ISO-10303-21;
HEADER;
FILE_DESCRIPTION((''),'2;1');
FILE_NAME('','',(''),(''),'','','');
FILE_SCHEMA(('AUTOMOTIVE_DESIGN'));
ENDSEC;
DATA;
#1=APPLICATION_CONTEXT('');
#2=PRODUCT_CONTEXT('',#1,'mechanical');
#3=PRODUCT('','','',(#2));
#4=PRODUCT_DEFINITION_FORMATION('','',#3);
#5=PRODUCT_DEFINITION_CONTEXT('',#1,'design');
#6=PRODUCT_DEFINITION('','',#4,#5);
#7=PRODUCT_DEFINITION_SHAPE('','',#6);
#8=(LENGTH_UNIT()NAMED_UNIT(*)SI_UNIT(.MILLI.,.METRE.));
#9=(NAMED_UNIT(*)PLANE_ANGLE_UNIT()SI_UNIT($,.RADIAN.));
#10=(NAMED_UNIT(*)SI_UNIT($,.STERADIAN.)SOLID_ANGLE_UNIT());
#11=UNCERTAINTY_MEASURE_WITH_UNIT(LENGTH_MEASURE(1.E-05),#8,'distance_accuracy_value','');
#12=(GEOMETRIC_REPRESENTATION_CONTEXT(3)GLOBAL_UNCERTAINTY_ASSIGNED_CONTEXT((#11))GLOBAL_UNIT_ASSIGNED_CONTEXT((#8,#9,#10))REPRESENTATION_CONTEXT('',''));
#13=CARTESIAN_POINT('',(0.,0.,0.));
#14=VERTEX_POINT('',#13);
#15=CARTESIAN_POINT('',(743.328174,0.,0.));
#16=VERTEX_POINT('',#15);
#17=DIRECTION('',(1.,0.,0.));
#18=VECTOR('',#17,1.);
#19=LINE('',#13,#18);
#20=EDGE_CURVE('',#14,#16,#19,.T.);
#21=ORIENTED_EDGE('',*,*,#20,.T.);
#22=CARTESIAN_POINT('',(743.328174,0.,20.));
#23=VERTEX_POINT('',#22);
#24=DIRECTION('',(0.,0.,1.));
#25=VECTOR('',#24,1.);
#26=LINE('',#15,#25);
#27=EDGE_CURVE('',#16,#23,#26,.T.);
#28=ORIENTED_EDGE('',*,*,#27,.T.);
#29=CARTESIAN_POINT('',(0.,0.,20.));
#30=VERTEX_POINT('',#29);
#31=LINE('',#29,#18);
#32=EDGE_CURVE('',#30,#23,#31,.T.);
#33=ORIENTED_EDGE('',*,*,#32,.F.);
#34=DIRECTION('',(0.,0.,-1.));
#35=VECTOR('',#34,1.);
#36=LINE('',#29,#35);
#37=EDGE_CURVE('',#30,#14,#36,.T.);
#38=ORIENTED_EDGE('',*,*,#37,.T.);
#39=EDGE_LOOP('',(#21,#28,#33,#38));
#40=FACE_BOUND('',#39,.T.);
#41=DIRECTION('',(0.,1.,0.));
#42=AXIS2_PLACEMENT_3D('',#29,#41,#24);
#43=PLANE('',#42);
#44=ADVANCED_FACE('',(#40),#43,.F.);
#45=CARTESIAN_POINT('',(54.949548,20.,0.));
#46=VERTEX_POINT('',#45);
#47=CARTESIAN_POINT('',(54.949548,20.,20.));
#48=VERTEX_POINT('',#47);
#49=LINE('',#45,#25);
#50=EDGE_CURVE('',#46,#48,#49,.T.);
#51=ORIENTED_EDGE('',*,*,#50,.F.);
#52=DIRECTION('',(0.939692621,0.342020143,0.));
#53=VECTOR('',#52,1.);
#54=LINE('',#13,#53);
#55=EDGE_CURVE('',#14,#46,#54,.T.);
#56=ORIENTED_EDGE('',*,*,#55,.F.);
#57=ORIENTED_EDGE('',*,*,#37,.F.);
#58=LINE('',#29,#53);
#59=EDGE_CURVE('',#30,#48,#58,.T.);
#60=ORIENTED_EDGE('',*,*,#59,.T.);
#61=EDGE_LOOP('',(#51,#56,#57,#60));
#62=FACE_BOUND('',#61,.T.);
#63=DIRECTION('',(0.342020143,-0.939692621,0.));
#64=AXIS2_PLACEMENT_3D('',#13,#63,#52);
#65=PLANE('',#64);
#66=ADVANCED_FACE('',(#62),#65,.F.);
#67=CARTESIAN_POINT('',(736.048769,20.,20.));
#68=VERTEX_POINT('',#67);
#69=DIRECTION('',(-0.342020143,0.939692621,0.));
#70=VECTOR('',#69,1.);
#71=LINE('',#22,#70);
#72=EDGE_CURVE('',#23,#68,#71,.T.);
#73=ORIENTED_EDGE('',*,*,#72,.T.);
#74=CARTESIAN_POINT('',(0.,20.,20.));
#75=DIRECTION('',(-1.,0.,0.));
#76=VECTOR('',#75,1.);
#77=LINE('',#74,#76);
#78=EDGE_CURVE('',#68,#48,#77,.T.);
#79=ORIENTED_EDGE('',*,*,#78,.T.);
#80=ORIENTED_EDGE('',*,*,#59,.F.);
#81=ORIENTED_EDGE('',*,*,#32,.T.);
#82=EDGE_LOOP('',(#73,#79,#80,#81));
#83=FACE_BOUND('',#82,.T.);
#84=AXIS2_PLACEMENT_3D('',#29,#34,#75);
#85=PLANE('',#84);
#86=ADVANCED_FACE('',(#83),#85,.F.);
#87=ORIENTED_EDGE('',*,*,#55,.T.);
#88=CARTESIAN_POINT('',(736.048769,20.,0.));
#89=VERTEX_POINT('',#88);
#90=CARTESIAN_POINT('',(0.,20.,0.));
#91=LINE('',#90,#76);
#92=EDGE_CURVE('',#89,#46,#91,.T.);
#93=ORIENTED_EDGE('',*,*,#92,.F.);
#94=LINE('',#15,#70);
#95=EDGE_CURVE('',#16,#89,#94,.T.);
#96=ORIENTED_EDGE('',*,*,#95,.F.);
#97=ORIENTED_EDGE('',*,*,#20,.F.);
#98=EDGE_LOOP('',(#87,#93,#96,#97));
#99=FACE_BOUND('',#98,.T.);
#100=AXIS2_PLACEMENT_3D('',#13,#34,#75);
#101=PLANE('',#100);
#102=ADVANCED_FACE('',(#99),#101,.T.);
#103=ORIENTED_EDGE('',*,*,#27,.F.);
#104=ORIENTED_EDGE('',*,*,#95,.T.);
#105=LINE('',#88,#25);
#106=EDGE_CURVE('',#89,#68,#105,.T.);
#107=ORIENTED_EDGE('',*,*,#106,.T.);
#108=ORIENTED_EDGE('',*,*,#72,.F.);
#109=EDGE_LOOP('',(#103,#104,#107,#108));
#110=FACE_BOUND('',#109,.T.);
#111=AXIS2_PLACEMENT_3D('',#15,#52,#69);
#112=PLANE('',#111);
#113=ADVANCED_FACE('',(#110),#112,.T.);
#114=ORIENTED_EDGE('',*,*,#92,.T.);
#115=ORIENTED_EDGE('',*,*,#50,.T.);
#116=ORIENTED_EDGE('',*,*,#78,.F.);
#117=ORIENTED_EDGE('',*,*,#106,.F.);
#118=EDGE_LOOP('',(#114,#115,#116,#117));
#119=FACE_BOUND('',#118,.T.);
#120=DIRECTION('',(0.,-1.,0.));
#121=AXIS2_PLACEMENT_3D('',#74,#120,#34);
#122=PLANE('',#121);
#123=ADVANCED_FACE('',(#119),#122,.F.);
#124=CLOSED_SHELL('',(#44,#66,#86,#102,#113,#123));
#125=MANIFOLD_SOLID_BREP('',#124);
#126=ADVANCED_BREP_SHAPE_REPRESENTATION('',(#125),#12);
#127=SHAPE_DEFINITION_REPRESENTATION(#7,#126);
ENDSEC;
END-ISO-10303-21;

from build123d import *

# Parameters (mm, degrees)
SKETCH1_W               = 987.806
SKETCH1_H               = 20
BOSS_EXTRUDE1_DEPTH     = 20
CUT_EXTRUDE1_DEPTH      = 20
CUT_EXTRUDE4_DEPTH      = 989.210854846
CUT_EXTRUDE5_DEPTH      = 989.210854846
CUT_EXTRUDE5_DEPTH_BACK = 989.210854846
CUT_EXTRUDE9_DEPTH      = 768.684470274


with BuildPart() as part:
    # Sketch1 → Boss-Extrude1 (new body)
    with BuildSketch(Plane.XY):
        with Locations((493.903, 10)):
            Rectangle(SKETCH1_W, SKETCH1_H)
    extrude(amount=BOSS_EXTRUDE1_DEPTH)

    # Sketch2 → Cut-Extrude1 (cut)
    with BuildSketch(Plane.XY.offset(20)):
        Polygon((0, 20), (0, 0), (54.949548389, 20), align=None)
    extrude(amount=-CUT_EXTRUDE1_DEPTH, mode=Mode.SUBTRACT)

    # Sketch5 → Cut-Extrude4 (cut, through all)
    with BuildSketch(Plane.XY.offset(20)):
        Polygon((987.806, 20), (980.526595315, 0), (987.806, 0), align=None)
    extrude(amount=-CUT_EXTRUDE4_DEPTH, mode=Mode.SUBTRACT)

    # Sketch7 → Cut-Extrude5 (cut, two sides: drawn at the far end of the back side and taken through both)
    with BuildSketch(Plane.XY.offset(20).offset(-CUT_EXTRUDE5_DEPTH_BACK)):
        Polygon((743.328174074, 0), (980.526595315, 0), (987.806, 20), (767.163245926, 20), align=None)
    extrude(amount=CUT_EXTRUDE5_DEPTH + CUT_EXTRUDE5_DEPTH_BACK, mode=Mode.SUBTRACT)

    # Sketch8 → Cut-Extrude9 (cut, through all)
    with BuildSketch(Plane.XY.offset(20)):
        Polygon((743.328174074, 0), (736.048769389, 20), (767.163245926, 20), align=None)
    extrude(amount=-CUT_EXTRUDE9_DEPTH, mode=Mode.SUBTRACT)


solid = part.part
